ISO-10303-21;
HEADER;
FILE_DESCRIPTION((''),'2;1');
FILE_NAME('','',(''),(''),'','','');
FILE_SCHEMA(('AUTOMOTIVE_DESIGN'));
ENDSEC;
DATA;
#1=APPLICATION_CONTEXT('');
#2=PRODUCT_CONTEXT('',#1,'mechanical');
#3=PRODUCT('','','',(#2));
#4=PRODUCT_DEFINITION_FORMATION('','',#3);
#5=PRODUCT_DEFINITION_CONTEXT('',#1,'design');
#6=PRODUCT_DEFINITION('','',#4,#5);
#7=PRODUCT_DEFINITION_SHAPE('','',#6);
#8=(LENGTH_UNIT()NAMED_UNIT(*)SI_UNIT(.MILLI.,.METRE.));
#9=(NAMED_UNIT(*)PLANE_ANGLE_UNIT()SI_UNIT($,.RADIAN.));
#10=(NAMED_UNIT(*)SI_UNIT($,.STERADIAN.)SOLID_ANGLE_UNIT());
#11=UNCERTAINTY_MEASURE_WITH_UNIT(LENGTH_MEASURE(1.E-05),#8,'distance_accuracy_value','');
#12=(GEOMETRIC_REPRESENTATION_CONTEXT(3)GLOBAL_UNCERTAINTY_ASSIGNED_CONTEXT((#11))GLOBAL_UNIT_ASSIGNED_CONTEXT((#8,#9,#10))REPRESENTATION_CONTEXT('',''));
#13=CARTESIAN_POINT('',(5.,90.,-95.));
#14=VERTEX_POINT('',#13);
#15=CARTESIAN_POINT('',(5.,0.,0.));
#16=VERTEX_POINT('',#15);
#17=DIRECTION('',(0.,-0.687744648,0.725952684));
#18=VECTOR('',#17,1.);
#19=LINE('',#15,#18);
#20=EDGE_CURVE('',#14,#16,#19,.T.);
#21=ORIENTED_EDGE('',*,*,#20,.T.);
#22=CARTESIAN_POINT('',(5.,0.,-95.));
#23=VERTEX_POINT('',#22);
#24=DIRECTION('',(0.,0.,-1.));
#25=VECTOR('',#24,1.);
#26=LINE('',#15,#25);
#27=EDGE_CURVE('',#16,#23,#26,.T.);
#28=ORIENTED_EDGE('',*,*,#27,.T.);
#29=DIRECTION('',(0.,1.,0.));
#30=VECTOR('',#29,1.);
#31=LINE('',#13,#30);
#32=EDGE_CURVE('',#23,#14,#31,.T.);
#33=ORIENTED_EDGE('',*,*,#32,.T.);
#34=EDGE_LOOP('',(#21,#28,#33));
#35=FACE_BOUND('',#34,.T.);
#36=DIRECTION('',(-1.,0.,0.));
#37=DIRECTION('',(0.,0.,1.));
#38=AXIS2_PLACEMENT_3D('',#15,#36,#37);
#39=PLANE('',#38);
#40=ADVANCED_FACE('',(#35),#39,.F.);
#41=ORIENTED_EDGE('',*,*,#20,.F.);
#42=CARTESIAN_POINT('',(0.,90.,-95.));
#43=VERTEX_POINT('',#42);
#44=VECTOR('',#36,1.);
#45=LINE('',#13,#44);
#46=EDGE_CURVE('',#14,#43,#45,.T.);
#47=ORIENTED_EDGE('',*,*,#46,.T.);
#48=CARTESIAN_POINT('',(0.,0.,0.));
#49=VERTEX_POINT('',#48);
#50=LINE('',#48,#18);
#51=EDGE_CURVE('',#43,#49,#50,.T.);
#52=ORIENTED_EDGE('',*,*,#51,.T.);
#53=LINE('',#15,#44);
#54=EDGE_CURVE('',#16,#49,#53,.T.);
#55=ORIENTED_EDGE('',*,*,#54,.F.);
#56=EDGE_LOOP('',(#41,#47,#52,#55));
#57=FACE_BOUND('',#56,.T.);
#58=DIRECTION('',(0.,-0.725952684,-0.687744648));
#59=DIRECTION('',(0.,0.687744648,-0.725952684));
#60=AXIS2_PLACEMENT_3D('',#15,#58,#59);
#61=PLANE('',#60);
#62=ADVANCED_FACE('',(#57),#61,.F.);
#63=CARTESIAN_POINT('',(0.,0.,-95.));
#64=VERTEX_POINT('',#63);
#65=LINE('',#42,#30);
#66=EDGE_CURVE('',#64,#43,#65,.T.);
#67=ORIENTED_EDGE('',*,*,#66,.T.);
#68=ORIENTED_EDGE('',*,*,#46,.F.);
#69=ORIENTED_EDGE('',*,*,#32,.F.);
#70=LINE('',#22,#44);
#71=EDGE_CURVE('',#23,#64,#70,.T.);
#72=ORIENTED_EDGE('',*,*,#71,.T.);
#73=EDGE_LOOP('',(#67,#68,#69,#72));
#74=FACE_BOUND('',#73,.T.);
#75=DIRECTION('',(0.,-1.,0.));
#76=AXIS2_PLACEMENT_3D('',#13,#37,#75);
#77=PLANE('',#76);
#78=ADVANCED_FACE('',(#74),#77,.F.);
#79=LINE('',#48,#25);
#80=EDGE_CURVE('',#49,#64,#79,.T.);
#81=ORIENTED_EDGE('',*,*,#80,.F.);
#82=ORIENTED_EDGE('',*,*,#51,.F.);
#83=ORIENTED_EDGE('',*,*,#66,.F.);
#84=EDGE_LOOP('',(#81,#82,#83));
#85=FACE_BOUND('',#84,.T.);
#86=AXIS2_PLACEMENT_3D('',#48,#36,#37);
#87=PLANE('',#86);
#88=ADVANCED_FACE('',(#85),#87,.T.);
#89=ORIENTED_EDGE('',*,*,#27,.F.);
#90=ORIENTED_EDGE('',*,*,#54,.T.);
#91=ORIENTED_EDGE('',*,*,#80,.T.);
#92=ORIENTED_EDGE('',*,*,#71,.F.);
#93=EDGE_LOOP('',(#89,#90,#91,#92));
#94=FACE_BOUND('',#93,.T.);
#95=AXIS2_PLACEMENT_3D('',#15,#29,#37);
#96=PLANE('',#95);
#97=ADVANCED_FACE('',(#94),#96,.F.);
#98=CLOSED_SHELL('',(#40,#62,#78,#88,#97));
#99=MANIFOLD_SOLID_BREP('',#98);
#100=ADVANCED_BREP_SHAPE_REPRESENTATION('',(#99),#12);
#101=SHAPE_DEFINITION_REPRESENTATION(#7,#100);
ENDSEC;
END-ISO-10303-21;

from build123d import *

# Parameters (mm, degrees)
BOSS_EXTRUDE1_DEPTH = 5


with BuildPart() as part:
    # Sketch1 → Boss-Extrude1 (new body)
    with BuildSketch(Plane(origin=(0, 0, 0), x_dir=(0, 0, -1), z_dir=(1, 0, 0))):
        Polygon((0, 0), (95, 0), (95, 90), align=None)
    extrude(amount=BOSS_EXTRUDE1_DEPTH)


solid = part.part
